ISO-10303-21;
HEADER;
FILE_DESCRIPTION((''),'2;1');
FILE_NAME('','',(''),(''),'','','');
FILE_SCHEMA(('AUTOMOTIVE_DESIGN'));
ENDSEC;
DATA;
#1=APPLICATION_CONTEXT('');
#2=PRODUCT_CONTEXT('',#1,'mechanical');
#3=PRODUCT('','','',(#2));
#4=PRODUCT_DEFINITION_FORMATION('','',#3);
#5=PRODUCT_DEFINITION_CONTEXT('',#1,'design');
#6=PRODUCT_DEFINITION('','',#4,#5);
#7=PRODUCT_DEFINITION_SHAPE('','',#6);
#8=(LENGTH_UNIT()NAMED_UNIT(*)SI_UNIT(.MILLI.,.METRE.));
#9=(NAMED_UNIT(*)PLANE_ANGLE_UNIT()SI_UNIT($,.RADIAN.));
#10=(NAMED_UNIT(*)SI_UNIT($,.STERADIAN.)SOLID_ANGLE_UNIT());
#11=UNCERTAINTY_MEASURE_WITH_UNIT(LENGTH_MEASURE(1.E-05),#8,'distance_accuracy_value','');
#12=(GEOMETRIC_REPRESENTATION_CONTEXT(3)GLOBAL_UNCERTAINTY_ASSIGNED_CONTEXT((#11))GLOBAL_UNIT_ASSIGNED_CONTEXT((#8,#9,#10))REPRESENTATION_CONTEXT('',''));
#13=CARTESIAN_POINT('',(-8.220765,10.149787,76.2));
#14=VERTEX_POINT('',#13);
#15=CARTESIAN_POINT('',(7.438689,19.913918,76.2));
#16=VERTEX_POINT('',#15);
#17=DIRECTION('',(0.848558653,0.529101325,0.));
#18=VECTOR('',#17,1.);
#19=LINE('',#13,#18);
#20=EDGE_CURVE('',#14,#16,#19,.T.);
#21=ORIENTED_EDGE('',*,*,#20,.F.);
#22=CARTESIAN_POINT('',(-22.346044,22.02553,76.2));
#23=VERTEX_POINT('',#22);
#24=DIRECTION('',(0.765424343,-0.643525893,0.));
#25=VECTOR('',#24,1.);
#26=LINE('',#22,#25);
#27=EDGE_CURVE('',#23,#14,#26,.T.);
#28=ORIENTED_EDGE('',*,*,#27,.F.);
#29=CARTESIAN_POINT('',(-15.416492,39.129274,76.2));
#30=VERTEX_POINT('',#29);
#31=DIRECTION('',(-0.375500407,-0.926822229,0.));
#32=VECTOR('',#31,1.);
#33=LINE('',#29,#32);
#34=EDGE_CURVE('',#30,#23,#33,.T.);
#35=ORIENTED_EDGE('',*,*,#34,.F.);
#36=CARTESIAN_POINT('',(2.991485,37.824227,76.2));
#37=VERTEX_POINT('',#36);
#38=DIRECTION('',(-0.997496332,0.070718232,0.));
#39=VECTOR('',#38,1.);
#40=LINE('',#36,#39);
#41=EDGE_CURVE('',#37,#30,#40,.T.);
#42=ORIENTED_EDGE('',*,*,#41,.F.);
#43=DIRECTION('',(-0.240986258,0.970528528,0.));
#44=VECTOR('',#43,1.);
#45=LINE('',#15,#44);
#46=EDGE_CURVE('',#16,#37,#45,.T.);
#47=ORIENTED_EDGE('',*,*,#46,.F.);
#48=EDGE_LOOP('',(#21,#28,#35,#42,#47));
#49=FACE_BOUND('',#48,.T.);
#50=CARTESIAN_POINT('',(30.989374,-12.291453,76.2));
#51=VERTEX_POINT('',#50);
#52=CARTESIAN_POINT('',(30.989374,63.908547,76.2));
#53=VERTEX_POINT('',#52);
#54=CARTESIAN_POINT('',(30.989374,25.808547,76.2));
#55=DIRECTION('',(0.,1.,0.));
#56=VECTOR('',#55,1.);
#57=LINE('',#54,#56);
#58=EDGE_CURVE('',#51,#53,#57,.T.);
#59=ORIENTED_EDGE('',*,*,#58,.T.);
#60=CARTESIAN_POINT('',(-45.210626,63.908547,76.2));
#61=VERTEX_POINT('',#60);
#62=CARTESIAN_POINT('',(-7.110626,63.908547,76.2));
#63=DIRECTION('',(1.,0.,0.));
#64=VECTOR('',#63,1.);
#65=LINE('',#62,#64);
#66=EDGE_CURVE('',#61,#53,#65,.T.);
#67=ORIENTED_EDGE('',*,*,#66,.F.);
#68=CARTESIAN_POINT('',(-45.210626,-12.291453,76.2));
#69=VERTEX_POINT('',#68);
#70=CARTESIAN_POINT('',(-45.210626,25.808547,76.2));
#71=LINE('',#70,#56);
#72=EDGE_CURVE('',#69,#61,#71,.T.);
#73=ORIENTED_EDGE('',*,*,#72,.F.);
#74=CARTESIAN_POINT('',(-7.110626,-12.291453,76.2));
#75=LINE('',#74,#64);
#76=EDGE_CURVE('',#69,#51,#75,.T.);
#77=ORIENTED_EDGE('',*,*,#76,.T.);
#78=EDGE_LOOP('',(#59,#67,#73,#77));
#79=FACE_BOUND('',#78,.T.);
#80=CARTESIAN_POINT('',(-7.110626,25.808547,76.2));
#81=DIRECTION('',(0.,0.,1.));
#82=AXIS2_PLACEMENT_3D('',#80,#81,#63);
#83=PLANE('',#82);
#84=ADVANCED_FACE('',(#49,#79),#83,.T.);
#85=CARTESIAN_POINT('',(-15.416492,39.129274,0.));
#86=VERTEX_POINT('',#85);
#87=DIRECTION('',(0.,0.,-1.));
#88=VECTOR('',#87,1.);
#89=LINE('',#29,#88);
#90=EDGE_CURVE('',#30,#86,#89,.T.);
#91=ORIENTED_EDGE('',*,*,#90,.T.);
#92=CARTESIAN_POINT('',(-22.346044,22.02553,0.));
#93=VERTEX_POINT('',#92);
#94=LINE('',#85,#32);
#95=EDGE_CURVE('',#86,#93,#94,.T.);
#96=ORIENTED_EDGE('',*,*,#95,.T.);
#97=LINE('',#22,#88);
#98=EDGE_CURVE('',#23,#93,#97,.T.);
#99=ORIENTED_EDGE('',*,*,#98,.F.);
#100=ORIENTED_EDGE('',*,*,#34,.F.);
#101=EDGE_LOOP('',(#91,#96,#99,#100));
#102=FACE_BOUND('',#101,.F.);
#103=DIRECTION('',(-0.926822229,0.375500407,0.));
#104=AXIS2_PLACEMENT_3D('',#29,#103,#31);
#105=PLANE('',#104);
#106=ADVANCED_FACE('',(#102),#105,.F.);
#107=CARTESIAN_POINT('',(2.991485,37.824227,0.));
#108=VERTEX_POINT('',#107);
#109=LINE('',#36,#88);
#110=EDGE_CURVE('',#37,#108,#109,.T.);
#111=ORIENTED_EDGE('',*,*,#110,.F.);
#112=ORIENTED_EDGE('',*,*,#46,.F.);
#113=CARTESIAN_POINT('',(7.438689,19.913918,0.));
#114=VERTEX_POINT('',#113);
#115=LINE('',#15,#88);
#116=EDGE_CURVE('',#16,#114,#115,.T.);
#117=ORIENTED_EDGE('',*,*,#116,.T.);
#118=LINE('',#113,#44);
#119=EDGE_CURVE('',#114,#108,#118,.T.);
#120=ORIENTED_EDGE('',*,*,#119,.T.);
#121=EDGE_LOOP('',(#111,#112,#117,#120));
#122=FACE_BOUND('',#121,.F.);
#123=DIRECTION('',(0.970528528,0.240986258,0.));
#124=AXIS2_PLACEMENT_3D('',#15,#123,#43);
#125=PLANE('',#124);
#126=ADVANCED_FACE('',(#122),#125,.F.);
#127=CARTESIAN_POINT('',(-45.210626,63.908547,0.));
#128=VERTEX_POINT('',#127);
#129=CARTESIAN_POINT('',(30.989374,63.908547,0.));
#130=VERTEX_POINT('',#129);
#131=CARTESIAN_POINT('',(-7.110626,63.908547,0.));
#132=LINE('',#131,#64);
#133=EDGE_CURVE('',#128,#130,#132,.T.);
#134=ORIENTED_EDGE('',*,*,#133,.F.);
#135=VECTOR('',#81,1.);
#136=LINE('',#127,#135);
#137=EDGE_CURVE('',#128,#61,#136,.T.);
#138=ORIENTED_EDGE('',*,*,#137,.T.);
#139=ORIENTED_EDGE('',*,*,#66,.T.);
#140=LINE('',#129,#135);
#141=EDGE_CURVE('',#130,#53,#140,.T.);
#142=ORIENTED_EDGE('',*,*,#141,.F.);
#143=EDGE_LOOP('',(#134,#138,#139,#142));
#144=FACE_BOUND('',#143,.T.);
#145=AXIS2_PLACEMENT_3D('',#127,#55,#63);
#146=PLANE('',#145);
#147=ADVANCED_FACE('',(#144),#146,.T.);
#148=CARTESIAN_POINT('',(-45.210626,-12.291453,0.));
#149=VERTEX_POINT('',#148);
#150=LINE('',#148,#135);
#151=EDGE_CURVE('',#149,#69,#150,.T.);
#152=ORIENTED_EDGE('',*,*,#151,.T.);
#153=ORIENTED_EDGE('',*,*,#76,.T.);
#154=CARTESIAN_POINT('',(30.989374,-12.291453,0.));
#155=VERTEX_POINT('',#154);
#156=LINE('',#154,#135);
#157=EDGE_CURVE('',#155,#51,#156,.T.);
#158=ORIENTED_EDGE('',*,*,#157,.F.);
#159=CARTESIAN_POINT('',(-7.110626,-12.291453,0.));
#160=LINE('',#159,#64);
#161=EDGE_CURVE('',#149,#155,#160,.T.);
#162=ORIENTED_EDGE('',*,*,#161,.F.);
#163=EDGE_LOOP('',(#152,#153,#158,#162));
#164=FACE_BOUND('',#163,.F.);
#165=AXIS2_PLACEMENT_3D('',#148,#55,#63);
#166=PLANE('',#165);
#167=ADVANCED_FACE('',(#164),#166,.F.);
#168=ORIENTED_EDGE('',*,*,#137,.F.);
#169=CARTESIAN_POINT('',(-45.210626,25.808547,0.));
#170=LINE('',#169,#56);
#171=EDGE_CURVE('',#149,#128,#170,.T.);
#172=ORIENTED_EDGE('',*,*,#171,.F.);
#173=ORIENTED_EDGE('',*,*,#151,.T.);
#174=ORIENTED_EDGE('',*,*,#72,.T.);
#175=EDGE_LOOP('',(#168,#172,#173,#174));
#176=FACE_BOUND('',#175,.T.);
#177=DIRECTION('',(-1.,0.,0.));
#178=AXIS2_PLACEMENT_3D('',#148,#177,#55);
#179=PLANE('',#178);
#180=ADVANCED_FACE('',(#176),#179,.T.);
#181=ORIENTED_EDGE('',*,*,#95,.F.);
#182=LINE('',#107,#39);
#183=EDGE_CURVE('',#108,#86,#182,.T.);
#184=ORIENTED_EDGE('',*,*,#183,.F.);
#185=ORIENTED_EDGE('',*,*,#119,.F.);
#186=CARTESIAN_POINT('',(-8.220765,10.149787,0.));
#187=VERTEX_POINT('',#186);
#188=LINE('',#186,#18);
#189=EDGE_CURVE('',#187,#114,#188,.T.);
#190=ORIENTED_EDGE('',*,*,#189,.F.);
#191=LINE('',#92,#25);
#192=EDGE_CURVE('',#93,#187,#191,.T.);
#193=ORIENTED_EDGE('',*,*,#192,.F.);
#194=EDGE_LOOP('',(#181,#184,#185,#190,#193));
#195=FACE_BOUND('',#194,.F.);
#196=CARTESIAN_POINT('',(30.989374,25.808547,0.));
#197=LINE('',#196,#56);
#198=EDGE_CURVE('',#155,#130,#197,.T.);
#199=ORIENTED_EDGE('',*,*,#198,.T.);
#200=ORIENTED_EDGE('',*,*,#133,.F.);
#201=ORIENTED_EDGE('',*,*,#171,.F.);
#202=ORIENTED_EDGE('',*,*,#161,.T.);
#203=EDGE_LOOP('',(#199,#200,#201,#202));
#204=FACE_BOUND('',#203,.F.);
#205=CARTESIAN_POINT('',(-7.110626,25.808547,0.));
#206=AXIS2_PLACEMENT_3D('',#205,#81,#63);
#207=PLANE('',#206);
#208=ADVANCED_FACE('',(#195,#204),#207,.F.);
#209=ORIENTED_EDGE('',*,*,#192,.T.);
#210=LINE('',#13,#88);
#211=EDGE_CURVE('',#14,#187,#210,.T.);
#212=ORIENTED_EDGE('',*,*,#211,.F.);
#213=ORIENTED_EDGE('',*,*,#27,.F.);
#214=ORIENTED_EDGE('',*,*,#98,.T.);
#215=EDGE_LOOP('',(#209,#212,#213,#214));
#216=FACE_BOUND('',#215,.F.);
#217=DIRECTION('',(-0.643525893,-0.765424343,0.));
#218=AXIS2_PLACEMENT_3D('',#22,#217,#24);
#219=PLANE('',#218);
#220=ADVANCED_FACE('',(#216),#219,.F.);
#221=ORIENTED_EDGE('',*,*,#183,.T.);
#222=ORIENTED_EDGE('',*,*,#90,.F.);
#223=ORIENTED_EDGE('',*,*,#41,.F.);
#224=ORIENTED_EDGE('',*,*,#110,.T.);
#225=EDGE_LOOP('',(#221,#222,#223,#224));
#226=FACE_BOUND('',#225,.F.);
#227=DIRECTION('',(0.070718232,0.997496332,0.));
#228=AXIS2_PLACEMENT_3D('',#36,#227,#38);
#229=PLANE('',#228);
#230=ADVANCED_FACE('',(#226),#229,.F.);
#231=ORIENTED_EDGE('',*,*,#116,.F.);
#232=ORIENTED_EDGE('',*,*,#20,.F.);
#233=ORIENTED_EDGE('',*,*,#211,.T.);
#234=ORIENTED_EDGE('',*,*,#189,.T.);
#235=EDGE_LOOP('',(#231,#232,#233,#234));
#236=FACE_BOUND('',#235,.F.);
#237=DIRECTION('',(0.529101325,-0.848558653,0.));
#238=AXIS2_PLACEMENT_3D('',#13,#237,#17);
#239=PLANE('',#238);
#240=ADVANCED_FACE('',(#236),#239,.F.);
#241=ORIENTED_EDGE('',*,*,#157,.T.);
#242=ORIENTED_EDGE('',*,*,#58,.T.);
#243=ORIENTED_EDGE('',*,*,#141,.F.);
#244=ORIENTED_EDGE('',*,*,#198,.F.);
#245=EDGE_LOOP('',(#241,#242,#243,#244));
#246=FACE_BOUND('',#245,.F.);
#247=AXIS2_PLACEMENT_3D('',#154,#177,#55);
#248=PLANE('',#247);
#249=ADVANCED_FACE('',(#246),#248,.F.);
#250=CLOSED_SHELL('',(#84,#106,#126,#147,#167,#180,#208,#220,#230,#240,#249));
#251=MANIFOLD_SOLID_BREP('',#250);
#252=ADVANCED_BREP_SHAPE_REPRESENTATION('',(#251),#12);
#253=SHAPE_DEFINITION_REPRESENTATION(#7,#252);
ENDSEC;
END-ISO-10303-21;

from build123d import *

# Parameters (mm, degrees)
F0_W     = 76.2
F0_H     = 76.2
F1_DEPTH = 76.2
F3_DEPTH = 76.2


with BuildPart() as f1:
    # F0 (on Top) → F1 (new body)
    with BuildSketch(Plane.XY):
        with Locations((-7.110626, 25.808547)):
            Rectangle(F0_W, F0_H)
    extrude(amount=F1_DEPTH)

    # F2 (on face) → F3 (cut)
    with BuildSketch(Plane.XY.offset(76.2)):
        Polygon((-8.220765, 10.149787), (7.438689, 19.913918), (2.991485, 37.824227), (-15.416492, 39.129274), (-22.346044, 22.02553), align=None)
    extrude(amount=-F3_DEPTH, mode=Mode.SUBTRACT)


solid = f1.part
